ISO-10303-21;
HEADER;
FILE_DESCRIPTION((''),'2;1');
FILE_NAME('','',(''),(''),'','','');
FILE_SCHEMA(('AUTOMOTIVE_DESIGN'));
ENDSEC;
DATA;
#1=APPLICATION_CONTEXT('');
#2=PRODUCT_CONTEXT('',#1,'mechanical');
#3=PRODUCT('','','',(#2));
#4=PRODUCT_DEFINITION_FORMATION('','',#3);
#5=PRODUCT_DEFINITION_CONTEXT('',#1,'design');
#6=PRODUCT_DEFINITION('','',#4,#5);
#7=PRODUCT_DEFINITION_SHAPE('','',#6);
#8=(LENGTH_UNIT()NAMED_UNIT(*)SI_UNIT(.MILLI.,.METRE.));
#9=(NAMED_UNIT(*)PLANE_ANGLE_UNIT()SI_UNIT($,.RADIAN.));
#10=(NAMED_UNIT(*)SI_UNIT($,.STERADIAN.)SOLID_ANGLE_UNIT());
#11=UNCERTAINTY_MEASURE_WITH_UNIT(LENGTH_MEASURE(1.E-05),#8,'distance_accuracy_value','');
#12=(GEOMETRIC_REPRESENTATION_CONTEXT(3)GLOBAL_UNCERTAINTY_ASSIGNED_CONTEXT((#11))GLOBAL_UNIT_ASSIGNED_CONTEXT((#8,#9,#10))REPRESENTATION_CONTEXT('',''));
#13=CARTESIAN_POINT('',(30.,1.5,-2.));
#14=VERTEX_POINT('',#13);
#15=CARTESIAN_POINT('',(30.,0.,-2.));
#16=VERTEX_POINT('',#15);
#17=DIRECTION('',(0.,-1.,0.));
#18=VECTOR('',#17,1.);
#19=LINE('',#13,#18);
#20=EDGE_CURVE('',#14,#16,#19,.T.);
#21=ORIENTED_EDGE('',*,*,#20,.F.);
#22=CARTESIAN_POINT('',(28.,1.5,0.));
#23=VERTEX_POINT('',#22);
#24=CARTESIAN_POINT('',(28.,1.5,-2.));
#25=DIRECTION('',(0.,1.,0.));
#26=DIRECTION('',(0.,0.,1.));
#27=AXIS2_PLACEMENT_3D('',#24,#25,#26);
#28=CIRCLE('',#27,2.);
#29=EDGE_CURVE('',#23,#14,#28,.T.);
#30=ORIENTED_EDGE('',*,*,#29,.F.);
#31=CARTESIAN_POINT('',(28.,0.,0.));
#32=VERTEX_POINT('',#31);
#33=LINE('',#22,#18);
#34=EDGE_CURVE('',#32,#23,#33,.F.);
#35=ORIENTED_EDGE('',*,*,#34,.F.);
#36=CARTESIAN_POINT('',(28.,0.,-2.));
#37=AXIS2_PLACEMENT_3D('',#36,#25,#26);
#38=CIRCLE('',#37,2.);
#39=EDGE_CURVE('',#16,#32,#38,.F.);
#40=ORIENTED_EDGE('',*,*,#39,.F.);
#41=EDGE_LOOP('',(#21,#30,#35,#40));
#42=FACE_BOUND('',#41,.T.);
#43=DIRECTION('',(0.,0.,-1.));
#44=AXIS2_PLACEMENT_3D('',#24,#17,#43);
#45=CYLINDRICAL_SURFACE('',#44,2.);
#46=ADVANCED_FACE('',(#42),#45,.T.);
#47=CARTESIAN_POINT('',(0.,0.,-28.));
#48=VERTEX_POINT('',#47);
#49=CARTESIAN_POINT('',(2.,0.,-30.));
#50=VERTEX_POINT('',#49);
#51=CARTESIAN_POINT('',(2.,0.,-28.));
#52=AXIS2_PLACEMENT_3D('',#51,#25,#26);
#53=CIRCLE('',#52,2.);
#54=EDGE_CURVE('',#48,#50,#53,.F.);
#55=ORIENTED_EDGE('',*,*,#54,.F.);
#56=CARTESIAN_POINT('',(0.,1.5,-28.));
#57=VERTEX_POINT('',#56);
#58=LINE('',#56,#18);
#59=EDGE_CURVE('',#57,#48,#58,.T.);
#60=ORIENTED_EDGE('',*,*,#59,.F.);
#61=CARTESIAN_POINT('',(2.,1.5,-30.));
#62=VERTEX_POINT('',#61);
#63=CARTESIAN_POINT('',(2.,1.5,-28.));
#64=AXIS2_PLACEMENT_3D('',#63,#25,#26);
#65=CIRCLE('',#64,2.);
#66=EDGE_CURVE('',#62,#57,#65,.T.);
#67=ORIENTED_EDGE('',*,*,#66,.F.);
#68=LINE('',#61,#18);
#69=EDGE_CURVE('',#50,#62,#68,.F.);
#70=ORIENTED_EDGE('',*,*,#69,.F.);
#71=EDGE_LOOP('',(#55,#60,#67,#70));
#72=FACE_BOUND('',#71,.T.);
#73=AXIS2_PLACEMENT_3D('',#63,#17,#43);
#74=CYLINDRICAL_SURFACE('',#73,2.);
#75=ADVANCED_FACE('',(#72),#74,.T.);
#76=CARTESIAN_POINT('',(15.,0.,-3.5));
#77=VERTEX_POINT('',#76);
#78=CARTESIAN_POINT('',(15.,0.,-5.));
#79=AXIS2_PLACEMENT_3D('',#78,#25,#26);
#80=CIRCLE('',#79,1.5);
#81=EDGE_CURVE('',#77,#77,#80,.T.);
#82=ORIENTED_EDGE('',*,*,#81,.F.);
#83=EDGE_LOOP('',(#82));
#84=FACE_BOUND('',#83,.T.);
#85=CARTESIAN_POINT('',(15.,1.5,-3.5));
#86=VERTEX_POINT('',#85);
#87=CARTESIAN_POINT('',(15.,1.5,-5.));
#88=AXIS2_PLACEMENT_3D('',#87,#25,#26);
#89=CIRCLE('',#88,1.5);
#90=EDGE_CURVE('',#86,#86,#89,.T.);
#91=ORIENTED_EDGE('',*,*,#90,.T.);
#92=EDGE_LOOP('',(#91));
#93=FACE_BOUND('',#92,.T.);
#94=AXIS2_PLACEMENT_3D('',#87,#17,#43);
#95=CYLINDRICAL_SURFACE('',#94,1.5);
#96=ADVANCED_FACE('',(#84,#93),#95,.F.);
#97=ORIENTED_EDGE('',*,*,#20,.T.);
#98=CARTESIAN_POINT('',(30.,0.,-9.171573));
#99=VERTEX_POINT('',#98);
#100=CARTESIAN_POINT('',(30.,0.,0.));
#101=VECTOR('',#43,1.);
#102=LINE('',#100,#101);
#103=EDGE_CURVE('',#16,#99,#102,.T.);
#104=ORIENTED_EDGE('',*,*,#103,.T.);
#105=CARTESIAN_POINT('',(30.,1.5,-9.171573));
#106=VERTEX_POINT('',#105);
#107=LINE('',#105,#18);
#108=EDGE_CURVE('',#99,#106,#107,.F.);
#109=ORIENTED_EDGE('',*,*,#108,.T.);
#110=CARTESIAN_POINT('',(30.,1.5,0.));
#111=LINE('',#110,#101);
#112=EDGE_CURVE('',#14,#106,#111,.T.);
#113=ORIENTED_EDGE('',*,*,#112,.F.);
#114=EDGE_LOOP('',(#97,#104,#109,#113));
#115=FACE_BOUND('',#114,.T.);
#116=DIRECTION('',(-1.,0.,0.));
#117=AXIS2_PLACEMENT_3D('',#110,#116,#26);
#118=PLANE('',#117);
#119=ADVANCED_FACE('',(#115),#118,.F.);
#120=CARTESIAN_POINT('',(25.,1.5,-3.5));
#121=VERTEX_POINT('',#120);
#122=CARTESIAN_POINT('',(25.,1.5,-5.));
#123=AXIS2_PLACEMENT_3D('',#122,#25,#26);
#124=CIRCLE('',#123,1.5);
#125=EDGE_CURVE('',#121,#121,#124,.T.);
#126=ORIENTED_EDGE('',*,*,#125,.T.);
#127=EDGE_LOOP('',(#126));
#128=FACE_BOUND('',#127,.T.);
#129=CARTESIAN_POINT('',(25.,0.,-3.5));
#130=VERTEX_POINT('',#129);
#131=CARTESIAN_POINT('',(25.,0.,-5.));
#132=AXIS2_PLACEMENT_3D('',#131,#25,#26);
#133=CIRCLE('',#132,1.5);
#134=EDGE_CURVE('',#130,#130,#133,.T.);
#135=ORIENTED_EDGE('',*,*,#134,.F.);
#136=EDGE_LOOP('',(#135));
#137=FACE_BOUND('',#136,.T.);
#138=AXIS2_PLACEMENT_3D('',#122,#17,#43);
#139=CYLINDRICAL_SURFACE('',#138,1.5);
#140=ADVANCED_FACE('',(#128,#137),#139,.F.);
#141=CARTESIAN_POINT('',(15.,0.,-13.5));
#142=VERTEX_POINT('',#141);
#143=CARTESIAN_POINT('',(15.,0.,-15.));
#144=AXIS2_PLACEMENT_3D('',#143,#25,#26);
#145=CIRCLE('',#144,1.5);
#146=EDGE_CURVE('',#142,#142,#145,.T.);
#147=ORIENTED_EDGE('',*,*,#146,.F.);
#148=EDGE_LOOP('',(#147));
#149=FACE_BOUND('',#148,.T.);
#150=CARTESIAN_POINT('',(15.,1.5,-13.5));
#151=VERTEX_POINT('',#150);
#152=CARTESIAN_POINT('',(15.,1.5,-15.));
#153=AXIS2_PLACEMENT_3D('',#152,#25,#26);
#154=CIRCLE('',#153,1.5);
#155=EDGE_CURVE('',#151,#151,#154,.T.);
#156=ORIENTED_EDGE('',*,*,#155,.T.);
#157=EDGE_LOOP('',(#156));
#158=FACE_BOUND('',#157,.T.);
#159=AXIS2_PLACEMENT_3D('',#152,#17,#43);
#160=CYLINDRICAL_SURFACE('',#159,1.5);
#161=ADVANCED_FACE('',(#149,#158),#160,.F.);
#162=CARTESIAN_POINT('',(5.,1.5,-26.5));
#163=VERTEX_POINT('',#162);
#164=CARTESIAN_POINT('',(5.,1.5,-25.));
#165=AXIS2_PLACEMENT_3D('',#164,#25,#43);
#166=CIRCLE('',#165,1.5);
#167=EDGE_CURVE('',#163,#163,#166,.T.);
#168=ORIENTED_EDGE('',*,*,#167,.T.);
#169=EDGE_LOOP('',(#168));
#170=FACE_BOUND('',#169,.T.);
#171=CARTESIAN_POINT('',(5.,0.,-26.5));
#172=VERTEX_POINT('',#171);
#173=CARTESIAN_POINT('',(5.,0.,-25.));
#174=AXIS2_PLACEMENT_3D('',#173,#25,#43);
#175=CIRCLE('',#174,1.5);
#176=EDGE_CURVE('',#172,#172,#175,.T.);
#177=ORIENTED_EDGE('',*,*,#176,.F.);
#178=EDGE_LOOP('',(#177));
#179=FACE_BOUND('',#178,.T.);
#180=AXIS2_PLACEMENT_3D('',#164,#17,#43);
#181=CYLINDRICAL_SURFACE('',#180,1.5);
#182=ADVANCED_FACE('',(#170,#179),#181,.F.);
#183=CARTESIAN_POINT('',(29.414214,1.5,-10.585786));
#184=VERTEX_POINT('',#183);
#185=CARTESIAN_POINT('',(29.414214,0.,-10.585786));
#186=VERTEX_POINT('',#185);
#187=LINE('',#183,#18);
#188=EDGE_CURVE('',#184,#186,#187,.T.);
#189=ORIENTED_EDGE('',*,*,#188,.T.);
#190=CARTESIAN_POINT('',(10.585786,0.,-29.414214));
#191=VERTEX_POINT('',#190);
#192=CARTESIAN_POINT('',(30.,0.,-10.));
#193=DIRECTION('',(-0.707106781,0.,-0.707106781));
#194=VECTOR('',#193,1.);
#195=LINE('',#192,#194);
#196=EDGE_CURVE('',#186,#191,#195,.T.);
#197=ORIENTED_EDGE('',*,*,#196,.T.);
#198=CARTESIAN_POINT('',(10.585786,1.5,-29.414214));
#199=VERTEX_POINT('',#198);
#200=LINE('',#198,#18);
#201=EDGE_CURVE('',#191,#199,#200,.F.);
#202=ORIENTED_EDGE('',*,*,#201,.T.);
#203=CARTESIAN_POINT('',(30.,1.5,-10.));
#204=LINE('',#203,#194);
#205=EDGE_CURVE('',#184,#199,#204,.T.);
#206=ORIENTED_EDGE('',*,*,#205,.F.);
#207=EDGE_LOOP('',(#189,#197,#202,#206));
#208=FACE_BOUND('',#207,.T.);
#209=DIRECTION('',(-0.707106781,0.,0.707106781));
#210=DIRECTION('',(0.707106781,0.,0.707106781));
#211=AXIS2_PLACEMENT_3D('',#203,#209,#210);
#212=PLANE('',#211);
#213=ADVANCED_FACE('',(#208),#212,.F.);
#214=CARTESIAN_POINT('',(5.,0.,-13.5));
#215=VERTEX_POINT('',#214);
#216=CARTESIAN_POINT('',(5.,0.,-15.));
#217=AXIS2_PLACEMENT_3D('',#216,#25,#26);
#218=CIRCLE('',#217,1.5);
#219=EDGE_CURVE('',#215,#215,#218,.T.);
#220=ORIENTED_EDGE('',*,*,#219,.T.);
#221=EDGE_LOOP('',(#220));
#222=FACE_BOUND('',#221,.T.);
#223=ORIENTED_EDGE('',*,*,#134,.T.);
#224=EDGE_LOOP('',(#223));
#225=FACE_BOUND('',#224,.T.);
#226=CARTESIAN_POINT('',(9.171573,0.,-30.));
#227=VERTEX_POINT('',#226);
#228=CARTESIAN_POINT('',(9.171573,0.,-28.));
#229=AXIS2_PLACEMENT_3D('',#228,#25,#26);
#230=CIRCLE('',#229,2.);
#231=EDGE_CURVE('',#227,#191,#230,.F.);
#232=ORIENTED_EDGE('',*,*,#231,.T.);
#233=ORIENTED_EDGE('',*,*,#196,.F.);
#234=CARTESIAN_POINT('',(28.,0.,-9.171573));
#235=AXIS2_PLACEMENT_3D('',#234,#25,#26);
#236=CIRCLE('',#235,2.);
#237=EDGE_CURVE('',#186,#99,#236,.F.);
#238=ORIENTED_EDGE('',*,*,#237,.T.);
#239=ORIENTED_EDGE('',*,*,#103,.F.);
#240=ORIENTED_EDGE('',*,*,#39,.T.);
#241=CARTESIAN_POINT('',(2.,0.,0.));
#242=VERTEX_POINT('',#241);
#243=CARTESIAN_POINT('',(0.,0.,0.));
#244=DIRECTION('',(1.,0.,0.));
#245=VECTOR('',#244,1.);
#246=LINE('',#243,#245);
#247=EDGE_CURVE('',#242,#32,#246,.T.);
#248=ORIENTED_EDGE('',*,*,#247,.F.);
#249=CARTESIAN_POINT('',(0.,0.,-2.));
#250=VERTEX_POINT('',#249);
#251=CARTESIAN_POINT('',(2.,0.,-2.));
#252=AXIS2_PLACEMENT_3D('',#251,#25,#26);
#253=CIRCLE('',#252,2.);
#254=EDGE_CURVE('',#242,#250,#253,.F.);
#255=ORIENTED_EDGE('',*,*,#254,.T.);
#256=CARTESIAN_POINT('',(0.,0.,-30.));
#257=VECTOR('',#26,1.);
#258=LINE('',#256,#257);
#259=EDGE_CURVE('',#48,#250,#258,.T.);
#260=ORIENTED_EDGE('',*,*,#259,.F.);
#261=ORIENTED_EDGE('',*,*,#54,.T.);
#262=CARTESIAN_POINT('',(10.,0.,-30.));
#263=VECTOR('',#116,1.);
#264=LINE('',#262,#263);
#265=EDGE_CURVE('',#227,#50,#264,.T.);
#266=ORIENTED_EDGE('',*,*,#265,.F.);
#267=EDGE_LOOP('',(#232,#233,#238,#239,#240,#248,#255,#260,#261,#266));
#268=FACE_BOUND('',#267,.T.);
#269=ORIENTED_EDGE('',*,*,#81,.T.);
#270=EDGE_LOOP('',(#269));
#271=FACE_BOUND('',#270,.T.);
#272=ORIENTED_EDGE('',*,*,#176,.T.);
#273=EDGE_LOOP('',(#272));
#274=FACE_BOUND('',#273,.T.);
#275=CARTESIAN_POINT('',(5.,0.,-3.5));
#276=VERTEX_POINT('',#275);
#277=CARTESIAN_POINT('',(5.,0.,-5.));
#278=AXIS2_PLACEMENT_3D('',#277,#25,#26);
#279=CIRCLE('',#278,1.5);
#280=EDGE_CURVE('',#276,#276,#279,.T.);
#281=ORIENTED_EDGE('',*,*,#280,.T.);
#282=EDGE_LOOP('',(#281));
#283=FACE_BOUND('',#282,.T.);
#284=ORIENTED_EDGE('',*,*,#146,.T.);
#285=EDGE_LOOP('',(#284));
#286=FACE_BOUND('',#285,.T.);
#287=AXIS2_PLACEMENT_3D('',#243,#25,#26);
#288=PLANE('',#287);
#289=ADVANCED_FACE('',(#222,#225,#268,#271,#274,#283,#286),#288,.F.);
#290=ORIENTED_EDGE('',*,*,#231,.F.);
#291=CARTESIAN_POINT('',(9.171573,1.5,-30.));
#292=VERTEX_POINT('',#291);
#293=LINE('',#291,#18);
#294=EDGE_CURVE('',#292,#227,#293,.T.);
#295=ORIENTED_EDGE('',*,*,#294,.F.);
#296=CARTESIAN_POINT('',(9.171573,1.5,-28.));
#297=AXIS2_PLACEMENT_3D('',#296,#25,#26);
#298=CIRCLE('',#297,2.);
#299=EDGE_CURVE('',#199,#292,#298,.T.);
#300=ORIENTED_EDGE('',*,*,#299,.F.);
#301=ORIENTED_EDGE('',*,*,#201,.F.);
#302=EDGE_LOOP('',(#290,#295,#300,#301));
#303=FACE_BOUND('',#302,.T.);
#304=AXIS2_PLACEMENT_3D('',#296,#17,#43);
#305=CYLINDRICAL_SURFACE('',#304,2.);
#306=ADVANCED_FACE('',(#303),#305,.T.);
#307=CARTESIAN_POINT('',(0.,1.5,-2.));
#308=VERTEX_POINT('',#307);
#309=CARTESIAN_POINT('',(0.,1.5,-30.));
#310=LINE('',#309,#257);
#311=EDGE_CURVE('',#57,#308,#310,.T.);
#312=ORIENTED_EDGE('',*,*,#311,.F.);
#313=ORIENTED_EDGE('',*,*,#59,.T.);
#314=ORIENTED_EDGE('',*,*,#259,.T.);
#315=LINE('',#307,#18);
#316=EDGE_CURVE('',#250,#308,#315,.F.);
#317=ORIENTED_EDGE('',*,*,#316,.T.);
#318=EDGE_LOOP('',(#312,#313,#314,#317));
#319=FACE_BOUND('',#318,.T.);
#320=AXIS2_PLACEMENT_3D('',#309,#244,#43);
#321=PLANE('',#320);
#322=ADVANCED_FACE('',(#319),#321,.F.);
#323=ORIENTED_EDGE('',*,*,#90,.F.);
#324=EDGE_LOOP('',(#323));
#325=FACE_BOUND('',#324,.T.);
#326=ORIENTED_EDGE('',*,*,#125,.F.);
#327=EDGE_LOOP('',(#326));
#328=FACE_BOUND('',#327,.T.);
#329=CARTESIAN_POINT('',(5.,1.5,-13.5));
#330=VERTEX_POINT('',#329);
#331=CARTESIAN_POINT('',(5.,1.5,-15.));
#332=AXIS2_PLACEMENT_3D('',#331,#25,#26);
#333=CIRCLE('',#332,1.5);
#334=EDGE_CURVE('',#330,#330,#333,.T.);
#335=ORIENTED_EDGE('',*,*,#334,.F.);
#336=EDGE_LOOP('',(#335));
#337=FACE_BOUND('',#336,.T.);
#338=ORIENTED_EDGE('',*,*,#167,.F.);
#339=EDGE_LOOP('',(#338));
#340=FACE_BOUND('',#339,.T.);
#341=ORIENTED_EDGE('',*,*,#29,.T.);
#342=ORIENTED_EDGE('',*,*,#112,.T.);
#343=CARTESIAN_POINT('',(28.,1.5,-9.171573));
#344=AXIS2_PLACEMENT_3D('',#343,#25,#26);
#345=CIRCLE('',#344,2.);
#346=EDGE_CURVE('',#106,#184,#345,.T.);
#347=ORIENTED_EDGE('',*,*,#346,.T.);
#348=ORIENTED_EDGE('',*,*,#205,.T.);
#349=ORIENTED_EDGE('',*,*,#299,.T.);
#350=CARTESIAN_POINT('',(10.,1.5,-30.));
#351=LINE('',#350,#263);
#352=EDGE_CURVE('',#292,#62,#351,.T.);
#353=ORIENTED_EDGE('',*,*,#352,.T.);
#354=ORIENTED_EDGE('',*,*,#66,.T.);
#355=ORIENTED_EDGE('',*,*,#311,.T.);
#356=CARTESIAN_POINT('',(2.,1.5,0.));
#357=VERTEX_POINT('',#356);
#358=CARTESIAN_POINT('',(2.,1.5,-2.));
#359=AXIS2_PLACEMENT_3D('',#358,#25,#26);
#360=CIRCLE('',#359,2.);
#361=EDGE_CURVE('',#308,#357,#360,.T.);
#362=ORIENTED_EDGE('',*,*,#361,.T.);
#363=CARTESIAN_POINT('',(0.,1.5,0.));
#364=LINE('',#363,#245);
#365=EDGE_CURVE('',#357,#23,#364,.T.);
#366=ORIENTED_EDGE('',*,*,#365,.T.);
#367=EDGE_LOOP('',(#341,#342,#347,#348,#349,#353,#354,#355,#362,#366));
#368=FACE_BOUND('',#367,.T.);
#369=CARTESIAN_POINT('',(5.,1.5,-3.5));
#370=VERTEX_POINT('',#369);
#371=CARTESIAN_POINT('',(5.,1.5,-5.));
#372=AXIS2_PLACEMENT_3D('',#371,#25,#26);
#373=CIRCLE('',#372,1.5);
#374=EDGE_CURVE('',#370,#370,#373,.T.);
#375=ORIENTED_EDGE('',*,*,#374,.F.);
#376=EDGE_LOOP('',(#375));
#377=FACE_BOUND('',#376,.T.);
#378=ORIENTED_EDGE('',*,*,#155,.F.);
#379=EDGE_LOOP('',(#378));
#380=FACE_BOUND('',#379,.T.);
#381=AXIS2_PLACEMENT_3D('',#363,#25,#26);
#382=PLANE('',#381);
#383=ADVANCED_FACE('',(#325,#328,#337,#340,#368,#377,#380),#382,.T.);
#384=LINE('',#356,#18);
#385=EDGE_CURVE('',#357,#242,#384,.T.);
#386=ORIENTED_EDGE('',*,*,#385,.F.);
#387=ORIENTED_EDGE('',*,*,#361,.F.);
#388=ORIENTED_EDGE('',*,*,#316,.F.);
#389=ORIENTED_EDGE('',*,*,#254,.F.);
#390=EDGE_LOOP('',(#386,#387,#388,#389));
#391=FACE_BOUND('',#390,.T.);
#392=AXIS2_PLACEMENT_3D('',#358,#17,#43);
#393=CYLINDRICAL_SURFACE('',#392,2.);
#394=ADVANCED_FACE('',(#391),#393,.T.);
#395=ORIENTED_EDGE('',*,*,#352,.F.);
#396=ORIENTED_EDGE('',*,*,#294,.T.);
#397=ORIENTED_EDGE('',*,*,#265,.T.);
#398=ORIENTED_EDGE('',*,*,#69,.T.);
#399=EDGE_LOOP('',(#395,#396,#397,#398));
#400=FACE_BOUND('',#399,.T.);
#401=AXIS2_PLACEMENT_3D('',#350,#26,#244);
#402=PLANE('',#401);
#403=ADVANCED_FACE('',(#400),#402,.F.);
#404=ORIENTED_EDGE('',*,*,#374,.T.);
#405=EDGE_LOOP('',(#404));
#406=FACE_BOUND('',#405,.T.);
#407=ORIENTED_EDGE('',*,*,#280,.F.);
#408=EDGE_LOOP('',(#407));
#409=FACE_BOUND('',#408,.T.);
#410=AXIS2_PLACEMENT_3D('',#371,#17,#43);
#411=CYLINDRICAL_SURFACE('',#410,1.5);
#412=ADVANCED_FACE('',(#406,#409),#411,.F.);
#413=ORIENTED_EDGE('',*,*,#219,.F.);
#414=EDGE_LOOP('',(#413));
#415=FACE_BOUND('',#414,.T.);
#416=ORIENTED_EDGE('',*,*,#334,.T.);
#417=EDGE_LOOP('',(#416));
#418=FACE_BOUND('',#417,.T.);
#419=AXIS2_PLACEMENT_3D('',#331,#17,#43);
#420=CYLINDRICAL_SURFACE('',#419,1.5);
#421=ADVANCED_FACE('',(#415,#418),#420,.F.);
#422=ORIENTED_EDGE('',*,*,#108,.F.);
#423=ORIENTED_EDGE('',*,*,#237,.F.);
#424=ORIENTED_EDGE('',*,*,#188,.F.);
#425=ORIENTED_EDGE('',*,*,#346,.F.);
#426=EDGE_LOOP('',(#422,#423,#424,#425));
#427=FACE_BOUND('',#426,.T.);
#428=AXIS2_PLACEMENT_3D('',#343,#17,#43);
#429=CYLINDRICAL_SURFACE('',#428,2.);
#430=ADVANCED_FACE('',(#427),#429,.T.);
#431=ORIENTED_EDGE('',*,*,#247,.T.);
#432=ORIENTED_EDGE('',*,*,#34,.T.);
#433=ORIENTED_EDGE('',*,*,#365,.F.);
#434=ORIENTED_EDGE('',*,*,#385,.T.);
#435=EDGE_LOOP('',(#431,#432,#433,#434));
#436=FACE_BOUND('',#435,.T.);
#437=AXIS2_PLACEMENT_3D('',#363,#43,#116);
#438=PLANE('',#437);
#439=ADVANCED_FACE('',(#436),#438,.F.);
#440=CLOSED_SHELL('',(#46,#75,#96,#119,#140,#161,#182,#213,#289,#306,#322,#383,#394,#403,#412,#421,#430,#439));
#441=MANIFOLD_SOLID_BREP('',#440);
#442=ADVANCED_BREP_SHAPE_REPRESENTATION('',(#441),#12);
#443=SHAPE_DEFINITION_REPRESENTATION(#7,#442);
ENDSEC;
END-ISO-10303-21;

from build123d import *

# Parameters (mm, degrees)
SKETCH_2_R      = 1.5
EXTRUDE_1_DEPTH = 1.5
FILLET_1_R      = 2


with BuildPart() as part:
    # ｽｹｯﾁ2 → ﾎﾞｽ - 押し出し1 (new body)
    with BuildSketch(Plane(origin=(0, 0, 0), x_dir=(1, 0, 0), z_dir=(0, 1, 0))):
        Polygon((0, 0), (30, 0), (30, 10), (10, 30), (0, 30), align=None)
        with Locations(Location((5, 5, 0), (0, 0, 270))):
            Circle(SKETCH_2_R, mode=Mode.SUBTRACT)
        with Locations(Location((25, 5, 0), (0, 0, 270))):
            Circle(SKETCH_2_R, mode=Mode.SUBTRACT)
        with Locations(Location((5, 25, 0), (0, 0, 90))):
            Circle(SKETCH_2_R, mode=Mode.SUBTRACT)
        with Locations(Location((5, 15, 0), (0, 0, 270))):
            Circle(SKETCH_2_R, mode=Mode.SUBTRACT)
        with Locations(Location((15, 5, 0), (0, 0, 270))):
            Circle(SKETCH_2_R, mode=Mode.SUBTRACT)
        with Locations(Location((15, 15, 0), (0, 0, 270))):
            Circle(SKETCH_2_R, mode=Mode.SUBTRACT)
    extrude(amount=EXTRUDE_1_DEPTH)

    # ﾌｨﾚｯﾄ1
    fillet_1_edges = [part.edges().sort_by_distance(p)[0] for p in [
        (0, 0.75, -30),
        (10, 0.75, -30),
        (30, 0.75, -10),
        (30, 0.75, 0),
        (0, 0.75, 0),
    ]]
    fillet(fillet_1_edges, radius=FILLET_1_R)


solid = part.part
